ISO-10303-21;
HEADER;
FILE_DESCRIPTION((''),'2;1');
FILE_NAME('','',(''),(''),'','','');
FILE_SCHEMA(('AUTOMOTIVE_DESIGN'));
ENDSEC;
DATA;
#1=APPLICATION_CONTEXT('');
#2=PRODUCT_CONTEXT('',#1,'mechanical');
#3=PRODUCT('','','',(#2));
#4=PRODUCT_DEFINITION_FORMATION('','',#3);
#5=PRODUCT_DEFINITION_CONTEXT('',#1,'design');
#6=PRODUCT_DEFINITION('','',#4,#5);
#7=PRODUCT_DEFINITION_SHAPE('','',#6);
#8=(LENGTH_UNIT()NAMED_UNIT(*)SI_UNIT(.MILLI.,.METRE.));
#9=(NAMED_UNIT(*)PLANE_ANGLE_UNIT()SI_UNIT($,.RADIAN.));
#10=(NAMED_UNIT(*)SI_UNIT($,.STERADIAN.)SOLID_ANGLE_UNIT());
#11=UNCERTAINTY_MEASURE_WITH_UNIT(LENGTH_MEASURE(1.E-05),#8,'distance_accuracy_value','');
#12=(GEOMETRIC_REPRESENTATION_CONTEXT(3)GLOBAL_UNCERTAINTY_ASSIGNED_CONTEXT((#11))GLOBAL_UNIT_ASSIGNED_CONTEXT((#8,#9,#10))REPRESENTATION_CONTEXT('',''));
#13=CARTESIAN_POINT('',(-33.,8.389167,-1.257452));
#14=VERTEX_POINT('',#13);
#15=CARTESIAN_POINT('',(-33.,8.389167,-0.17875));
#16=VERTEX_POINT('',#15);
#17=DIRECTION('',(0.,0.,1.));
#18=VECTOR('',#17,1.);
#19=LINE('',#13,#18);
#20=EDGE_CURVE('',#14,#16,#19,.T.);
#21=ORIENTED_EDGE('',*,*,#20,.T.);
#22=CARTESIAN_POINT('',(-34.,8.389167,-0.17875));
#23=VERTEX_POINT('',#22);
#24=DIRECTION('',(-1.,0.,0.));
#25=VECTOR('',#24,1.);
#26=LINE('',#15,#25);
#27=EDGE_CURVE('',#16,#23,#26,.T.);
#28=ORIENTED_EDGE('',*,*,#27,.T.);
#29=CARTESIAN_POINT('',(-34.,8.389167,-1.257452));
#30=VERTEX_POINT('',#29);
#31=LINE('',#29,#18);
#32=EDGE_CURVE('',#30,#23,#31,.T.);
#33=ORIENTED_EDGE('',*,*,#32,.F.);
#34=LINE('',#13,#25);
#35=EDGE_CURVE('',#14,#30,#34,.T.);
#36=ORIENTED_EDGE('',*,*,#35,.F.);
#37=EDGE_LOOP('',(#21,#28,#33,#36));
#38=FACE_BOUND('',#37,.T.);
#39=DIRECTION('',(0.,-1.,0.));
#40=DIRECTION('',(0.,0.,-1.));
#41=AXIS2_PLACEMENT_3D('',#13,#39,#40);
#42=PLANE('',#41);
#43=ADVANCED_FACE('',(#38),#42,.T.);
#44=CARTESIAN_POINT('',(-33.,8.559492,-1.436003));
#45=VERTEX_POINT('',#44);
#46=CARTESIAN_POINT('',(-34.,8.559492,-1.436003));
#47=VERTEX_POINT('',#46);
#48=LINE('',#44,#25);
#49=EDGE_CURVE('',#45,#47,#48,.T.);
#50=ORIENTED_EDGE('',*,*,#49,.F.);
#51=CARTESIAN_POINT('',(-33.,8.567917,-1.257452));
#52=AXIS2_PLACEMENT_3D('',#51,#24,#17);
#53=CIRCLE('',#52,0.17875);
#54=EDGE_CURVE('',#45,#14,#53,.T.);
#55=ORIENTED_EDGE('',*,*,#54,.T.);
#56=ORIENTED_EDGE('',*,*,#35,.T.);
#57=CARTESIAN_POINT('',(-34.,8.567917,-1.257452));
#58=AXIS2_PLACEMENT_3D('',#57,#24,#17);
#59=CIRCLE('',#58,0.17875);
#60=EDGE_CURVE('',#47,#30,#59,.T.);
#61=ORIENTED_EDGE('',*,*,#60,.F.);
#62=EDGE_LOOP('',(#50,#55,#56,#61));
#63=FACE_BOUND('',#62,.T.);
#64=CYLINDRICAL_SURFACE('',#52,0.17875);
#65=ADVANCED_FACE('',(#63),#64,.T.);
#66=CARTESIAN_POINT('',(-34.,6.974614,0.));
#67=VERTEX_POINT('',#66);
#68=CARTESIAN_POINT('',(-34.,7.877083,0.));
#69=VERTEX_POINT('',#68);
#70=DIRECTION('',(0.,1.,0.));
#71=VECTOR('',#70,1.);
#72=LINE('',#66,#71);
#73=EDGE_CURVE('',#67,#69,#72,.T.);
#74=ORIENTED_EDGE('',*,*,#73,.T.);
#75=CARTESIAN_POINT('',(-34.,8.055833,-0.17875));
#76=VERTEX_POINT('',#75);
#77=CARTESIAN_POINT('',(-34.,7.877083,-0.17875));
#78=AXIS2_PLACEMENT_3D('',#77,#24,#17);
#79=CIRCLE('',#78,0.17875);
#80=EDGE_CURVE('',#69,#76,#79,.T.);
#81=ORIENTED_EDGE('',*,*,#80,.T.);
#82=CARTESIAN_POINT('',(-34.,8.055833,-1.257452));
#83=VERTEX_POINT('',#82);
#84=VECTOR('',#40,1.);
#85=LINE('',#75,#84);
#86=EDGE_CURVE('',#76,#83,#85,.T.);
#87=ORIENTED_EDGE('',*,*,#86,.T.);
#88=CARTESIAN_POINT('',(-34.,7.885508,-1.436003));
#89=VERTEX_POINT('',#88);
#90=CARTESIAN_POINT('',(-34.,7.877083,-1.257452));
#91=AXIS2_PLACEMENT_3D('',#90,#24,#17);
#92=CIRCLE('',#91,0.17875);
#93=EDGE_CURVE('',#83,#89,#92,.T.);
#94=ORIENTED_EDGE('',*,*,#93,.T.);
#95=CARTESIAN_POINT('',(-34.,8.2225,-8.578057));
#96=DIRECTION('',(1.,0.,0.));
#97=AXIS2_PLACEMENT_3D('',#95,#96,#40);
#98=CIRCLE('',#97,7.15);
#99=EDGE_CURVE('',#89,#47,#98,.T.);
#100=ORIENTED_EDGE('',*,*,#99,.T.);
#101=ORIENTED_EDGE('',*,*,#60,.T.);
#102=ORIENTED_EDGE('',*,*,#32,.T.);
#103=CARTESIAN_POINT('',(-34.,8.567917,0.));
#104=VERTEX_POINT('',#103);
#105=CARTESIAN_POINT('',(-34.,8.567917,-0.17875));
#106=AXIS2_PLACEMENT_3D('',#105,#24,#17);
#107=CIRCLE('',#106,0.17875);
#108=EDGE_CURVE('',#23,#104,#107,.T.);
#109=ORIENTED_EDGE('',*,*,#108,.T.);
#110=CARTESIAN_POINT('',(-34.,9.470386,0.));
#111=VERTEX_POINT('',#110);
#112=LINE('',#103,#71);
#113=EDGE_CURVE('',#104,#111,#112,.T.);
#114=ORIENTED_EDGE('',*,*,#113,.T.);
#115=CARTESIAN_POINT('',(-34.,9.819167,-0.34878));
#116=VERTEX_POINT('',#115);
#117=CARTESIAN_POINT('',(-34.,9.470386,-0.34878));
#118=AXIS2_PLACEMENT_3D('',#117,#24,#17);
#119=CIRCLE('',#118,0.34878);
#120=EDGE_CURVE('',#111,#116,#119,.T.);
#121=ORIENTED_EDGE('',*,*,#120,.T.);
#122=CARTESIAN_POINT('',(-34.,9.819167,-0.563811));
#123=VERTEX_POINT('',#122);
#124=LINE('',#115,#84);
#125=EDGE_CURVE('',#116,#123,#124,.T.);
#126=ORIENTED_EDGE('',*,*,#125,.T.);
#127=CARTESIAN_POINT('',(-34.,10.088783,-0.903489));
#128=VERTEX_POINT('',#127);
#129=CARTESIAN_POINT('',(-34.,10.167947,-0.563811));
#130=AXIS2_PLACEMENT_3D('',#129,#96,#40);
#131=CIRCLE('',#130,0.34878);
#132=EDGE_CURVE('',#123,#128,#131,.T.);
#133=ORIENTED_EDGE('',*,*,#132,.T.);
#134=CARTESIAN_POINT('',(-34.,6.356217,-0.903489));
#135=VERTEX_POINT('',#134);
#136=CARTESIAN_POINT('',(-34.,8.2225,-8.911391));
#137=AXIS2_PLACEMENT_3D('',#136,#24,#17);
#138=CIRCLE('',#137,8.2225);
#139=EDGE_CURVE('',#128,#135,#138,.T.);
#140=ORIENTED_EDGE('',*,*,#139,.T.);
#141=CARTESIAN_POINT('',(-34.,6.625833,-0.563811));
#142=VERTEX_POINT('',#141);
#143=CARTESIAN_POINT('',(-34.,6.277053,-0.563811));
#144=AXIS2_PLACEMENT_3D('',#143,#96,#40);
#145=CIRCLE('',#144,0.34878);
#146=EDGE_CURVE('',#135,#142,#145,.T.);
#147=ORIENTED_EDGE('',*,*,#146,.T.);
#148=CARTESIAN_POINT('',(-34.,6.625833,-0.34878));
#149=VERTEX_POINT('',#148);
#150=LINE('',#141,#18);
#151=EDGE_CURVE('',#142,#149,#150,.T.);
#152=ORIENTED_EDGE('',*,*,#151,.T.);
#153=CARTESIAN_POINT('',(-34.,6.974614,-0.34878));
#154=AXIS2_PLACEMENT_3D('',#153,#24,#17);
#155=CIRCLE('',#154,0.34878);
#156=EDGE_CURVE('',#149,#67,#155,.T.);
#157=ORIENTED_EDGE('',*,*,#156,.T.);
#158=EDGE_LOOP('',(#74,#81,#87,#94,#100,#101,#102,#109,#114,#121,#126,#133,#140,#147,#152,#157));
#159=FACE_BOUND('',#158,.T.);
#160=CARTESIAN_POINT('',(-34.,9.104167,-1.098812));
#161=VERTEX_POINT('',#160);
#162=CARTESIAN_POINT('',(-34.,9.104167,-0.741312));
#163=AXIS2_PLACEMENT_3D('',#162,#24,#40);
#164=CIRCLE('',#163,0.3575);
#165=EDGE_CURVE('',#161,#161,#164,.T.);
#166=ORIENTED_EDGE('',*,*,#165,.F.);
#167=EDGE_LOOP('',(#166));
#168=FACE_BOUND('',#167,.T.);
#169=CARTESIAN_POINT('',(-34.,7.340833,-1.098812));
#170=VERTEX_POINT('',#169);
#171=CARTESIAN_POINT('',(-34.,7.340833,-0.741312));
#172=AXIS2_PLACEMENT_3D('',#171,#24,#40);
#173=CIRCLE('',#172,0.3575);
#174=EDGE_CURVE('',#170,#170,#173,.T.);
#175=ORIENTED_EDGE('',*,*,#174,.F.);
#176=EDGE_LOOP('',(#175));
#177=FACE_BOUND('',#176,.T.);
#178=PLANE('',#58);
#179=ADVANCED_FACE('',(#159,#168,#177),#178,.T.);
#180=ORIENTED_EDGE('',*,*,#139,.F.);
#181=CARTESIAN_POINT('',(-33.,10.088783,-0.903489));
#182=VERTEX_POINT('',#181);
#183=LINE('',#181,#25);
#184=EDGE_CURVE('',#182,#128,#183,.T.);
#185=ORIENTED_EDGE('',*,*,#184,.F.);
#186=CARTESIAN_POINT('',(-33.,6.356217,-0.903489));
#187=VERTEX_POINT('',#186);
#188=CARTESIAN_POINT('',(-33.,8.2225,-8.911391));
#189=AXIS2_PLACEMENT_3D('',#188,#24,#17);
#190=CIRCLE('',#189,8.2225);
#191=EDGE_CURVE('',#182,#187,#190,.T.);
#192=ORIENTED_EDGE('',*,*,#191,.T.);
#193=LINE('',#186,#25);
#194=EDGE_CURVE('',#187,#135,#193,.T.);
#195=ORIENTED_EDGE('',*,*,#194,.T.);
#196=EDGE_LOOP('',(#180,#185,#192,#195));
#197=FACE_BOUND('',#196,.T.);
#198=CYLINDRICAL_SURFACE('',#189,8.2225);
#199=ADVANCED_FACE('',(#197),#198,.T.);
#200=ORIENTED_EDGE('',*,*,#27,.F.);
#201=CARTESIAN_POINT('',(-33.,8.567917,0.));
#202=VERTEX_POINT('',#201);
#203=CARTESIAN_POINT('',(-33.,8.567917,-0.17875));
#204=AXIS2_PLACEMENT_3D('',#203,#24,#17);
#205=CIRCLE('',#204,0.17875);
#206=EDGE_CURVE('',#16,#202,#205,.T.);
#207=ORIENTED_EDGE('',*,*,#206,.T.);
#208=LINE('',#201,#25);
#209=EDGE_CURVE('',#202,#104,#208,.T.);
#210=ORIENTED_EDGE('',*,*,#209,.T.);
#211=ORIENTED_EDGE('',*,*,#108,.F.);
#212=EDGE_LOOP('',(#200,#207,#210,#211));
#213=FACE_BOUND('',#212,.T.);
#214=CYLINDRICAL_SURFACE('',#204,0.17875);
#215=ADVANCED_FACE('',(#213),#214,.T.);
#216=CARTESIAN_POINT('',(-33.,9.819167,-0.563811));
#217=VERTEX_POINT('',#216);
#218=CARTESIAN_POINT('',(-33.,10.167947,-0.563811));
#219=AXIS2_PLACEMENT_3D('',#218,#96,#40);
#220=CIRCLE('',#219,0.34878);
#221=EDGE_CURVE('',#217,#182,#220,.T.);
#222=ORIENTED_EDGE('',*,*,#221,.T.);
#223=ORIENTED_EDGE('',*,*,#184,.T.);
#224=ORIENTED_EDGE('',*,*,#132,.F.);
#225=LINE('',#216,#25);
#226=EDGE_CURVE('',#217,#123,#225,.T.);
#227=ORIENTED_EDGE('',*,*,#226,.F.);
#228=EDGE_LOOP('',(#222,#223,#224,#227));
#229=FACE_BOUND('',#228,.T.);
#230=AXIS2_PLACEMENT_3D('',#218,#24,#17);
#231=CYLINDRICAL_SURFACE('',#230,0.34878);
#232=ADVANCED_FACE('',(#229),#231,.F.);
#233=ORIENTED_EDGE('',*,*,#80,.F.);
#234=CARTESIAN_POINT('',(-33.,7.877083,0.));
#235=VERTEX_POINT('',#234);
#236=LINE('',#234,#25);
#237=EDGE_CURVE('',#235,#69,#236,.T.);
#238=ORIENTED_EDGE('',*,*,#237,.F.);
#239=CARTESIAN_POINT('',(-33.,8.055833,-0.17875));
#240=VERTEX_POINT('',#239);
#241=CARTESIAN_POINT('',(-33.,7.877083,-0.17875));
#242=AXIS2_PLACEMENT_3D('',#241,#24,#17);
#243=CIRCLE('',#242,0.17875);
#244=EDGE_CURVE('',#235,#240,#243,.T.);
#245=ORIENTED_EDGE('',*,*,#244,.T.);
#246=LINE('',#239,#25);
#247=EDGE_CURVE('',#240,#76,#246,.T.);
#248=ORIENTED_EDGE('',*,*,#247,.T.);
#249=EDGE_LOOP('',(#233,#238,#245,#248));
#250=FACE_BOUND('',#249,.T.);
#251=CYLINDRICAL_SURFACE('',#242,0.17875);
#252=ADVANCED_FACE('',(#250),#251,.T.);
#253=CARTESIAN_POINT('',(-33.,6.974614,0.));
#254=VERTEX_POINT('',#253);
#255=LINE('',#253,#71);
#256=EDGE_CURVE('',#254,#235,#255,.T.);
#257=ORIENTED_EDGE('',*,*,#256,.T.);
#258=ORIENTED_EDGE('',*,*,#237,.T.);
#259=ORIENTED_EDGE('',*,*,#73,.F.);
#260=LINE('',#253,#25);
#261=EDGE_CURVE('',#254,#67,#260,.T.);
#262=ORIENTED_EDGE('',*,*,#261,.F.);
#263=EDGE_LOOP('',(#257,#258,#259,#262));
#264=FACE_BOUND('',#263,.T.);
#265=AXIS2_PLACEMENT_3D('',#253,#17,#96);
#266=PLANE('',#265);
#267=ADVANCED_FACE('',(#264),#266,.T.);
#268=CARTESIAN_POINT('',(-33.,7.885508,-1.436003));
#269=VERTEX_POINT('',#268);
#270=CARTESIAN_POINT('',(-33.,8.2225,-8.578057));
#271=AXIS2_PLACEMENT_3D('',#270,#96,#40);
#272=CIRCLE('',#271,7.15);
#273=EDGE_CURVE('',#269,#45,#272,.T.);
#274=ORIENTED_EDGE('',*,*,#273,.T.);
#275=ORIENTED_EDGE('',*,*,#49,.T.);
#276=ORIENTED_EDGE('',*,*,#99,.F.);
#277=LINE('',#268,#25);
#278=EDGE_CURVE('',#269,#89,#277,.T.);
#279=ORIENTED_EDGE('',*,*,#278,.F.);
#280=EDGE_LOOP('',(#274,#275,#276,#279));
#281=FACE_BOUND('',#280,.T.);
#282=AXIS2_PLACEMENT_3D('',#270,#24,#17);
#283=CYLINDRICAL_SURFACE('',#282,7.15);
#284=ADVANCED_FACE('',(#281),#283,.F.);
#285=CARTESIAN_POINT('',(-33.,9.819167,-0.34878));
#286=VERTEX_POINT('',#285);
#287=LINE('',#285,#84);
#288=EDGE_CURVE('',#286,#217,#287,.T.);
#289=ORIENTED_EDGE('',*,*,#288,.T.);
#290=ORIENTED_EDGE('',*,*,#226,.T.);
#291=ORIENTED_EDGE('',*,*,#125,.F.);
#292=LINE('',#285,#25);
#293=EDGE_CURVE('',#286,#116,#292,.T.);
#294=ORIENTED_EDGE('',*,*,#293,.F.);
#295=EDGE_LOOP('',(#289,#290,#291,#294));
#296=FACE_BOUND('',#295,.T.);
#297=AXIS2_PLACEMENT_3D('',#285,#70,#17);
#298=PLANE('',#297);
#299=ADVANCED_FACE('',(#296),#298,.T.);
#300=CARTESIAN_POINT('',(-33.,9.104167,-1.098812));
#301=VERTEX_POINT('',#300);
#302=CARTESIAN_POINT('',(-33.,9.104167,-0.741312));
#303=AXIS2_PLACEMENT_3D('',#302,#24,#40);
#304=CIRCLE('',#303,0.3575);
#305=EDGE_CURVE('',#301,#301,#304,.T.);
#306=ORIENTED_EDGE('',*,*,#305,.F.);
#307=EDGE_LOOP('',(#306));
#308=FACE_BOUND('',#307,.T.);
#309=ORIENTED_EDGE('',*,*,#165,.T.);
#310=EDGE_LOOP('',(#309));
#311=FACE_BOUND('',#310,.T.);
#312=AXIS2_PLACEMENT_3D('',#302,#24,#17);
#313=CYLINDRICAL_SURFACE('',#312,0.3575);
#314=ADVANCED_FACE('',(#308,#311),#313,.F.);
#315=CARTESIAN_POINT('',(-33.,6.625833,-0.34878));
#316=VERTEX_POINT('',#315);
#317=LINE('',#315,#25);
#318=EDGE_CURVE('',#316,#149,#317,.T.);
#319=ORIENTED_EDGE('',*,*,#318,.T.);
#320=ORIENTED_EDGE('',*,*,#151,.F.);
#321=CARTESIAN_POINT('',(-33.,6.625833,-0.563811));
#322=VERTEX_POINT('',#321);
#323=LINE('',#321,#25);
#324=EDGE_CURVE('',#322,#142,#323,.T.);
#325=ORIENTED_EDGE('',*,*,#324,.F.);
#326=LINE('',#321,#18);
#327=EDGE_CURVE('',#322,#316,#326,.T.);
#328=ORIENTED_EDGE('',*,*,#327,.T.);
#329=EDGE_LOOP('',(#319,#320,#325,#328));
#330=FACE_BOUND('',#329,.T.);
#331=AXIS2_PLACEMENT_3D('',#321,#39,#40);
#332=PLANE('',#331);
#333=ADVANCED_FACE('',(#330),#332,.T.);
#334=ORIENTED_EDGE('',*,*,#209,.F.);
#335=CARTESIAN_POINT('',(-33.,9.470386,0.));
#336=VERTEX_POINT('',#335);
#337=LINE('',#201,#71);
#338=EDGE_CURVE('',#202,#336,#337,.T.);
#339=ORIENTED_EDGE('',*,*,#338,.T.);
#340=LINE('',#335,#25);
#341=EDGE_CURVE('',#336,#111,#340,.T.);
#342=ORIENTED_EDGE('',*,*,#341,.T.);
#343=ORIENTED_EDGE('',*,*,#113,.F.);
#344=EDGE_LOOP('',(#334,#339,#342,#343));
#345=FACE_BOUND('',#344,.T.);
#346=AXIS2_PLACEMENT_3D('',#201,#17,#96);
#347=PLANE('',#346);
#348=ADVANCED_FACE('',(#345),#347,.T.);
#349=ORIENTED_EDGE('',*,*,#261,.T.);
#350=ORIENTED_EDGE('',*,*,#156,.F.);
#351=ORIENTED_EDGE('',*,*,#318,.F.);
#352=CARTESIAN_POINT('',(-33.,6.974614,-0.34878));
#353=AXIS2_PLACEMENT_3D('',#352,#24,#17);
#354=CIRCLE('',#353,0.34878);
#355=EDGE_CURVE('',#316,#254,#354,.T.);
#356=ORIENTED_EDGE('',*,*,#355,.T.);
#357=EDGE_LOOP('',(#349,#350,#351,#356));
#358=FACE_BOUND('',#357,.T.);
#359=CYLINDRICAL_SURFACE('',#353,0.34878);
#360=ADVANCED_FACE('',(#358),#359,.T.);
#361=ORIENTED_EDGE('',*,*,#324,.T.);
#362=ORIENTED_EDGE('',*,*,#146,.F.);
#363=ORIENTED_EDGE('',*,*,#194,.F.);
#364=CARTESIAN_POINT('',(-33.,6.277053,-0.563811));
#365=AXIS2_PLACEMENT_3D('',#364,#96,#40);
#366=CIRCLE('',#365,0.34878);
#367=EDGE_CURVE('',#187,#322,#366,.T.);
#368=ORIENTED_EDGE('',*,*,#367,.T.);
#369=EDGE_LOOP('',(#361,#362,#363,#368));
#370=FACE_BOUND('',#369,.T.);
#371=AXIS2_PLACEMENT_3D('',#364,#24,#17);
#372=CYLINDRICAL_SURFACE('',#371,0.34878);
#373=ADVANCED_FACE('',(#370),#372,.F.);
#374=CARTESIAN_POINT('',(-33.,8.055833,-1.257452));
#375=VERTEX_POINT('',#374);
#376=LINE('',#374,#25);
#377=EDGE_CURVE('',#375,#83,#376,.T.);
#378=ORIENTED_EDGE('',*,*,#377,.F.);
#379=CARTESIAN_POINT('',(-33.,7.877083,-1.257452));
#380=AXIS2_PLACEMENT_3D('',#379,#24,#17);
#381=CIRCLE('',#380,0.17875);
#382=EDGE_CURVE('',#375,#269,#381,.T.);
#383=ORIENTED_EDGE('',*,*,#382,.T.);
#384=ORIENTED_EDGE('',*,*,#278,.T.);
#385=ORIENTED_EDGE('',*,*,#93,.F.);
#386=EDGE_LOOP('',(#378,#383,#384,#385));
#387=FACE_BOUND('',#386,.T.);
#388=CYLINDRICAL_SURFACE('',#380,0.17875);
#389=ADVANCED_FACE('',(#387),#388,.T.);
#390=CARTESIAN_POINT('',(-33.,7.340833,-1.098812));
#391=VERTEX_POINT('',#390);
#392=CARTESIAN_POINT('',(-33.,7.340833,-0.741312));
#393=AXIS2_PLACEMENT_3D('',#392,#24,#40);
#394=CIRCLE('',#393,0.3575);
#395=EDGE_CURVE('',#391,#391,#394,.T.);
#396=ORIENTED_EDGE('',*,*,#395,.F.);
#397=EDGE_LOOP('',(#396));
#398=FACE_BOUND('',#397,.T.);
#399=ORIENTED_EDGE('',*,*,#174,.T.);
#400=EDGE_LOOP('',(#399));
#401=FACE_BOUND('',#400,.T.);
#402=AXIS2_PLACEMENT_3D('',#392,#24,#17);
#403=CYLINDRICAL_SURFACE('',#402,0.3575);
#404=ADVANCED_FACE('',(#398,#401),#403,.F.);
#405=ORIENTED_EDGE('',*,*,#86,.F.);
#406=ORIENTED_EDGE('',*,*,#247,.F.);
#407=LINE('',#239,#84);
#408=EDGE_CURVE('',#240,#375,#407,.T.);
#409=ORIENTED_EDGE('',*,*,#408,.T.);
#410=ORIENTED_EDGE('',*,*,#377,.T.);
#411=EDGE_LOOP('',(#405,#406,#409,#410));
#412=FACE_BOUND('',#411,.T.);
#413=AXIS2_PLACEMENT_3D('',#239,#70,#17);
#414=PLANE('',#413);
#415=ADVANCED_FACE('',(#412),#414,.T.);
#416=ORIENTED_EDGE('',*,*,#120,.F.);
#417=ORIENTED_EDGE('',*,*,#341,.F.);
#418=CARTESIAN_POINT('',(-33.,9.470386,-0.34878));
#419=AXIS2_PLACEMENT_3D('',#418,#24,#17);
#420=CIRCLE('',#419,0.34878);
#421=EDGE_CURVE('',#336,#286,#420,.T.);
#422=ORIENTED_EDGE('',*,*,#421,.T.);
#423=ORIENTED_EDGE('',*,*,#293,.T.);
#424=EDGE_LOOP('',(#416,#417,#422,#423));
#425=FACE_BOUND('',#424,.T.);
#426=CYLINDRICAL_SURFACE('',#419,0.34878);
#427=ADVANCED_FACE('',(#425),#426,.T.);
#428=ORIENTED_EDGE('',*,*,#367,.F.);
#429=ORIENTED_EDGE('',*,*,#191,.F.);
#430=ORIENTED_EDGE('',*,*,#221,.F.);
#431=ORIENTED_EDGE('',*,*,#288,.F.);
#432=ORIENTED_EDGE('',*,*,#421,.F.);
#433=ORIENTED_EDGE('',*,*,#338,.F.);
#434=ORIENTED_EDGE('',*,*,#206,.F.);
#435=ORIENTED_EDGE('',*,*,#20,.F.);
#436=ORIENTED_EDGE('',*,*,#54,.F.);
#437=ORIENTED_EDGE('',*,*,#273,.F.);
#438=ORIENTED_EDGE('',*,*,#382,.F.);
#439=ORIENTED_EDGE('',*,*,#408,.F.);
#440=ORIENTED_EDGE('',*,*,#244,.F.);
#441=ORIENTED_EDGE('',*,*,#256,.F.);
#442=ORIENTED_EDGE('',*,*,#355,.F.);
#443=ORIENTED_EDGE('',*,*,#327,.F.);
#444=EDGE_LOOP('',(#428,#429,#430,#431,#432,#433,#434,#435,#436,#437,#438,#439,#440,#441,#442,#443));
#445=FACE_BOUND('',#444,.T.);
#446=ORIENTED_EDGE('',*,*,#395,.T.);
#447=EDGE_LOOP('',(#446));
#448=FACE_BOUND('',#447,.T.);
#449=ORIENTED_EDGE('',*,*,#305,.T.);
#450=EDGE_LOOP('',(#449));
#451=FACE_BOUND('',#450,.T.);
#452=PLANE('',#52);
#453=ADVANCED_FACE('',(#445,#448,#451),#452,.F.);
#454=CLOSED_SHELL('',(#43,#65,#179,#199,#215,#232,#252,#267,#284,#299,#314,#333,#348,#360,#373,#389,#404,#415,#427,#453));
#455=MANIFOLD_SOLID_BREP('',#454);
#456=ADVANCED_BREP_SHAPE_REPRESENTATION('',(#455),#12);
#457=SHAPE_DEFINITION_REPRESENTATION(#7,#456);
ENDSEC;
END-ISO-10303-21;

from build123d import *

# Parameters (mm, degrees)
SKETCH_1_R      = 0.3575
EXTRUDE_1_DEPTH = 1


with BuildPart() as part:
    # Эскиз1 → Бобышка-Вытянуть1 (new body)
    with BuildSketch(Plane(origin=(-34, 0, 0), x_dir=(0, -1, 0), z_dir=(-1, 0, 0))):
        with BuildLine():
            Line((-8.389166667, -1.257451802), (-8.389166667, -0.17875))
            ThreePointArc((-8.389166667, -0.17875), (-8.44152133, -0.052354663), (-8.567916667, 0))
            Line((-8.567916667, 0), (-9.470386179, 0))
            ThreePointArc((-9.470386179, 0), (-9.717011227, -0.10215544), (-9.819166667, -0.348780488))
            Line((-9.819166667, -0.348780488), (-9.819166667, -0.563811004))
            ThreePointArc((-9.819166667, -0.563811004), (-9.894763543, -0.7806486), (-10.088783486, -0.903488707))
            ThreePointArc((-10.088783486, -0.903488707), (-8.2225, -17.133890567), (-6.356216514, -0.903488707))
            ThreePointArc((-6.356216514, -0.903488707), (-6.550236457, -0.7806486), (-6.625833333, -0.563811004))
            Line((-6.625833333, -0.563811004), (-6.625833333, -0.348780488))
            ThreePointArc((-6.625833333, -0.348780488), (-6.727988773, -0.10215544), (-6.974613821, 0))
            Line((-6.974613821, 0), (-7.877083333, 0))
            ThreePointArc((-7.877083333, 0), (-8.00347867, -0.052354663), (-8.055833333, -0.17875))
            Line((-8.055833333, -0.17875), (-8.055833333, -1.257451802))
            ThreePointArc((-8.055833333, -1.257451802), (-8.006422993, -1.380832575), (-7.88550813, -1.436003154))
            ThreePointArc((-7.88550813, -1.436003154), (-8.2225, -15.728057234), (-8.55949187, -1.436003154))
            ThreePointArc((-8.55949187, -1.436003154), (-8.438577007, -1.380832575), (-8.389166667, -1.257451802))
        make_face()
        with Locations((-9.104166667, -0.741312313)):
            Circle(SKETCH_1_R, mode=Mode.SUBTRACT)
        with Locations((-7.340833333, -0.741312313)):
            Circle(SKETCH_1_R, mode=Mode.SUBTRACT)
    extrude(amount=-EXTRUDE_1_DEPTH)


solid = part.part
